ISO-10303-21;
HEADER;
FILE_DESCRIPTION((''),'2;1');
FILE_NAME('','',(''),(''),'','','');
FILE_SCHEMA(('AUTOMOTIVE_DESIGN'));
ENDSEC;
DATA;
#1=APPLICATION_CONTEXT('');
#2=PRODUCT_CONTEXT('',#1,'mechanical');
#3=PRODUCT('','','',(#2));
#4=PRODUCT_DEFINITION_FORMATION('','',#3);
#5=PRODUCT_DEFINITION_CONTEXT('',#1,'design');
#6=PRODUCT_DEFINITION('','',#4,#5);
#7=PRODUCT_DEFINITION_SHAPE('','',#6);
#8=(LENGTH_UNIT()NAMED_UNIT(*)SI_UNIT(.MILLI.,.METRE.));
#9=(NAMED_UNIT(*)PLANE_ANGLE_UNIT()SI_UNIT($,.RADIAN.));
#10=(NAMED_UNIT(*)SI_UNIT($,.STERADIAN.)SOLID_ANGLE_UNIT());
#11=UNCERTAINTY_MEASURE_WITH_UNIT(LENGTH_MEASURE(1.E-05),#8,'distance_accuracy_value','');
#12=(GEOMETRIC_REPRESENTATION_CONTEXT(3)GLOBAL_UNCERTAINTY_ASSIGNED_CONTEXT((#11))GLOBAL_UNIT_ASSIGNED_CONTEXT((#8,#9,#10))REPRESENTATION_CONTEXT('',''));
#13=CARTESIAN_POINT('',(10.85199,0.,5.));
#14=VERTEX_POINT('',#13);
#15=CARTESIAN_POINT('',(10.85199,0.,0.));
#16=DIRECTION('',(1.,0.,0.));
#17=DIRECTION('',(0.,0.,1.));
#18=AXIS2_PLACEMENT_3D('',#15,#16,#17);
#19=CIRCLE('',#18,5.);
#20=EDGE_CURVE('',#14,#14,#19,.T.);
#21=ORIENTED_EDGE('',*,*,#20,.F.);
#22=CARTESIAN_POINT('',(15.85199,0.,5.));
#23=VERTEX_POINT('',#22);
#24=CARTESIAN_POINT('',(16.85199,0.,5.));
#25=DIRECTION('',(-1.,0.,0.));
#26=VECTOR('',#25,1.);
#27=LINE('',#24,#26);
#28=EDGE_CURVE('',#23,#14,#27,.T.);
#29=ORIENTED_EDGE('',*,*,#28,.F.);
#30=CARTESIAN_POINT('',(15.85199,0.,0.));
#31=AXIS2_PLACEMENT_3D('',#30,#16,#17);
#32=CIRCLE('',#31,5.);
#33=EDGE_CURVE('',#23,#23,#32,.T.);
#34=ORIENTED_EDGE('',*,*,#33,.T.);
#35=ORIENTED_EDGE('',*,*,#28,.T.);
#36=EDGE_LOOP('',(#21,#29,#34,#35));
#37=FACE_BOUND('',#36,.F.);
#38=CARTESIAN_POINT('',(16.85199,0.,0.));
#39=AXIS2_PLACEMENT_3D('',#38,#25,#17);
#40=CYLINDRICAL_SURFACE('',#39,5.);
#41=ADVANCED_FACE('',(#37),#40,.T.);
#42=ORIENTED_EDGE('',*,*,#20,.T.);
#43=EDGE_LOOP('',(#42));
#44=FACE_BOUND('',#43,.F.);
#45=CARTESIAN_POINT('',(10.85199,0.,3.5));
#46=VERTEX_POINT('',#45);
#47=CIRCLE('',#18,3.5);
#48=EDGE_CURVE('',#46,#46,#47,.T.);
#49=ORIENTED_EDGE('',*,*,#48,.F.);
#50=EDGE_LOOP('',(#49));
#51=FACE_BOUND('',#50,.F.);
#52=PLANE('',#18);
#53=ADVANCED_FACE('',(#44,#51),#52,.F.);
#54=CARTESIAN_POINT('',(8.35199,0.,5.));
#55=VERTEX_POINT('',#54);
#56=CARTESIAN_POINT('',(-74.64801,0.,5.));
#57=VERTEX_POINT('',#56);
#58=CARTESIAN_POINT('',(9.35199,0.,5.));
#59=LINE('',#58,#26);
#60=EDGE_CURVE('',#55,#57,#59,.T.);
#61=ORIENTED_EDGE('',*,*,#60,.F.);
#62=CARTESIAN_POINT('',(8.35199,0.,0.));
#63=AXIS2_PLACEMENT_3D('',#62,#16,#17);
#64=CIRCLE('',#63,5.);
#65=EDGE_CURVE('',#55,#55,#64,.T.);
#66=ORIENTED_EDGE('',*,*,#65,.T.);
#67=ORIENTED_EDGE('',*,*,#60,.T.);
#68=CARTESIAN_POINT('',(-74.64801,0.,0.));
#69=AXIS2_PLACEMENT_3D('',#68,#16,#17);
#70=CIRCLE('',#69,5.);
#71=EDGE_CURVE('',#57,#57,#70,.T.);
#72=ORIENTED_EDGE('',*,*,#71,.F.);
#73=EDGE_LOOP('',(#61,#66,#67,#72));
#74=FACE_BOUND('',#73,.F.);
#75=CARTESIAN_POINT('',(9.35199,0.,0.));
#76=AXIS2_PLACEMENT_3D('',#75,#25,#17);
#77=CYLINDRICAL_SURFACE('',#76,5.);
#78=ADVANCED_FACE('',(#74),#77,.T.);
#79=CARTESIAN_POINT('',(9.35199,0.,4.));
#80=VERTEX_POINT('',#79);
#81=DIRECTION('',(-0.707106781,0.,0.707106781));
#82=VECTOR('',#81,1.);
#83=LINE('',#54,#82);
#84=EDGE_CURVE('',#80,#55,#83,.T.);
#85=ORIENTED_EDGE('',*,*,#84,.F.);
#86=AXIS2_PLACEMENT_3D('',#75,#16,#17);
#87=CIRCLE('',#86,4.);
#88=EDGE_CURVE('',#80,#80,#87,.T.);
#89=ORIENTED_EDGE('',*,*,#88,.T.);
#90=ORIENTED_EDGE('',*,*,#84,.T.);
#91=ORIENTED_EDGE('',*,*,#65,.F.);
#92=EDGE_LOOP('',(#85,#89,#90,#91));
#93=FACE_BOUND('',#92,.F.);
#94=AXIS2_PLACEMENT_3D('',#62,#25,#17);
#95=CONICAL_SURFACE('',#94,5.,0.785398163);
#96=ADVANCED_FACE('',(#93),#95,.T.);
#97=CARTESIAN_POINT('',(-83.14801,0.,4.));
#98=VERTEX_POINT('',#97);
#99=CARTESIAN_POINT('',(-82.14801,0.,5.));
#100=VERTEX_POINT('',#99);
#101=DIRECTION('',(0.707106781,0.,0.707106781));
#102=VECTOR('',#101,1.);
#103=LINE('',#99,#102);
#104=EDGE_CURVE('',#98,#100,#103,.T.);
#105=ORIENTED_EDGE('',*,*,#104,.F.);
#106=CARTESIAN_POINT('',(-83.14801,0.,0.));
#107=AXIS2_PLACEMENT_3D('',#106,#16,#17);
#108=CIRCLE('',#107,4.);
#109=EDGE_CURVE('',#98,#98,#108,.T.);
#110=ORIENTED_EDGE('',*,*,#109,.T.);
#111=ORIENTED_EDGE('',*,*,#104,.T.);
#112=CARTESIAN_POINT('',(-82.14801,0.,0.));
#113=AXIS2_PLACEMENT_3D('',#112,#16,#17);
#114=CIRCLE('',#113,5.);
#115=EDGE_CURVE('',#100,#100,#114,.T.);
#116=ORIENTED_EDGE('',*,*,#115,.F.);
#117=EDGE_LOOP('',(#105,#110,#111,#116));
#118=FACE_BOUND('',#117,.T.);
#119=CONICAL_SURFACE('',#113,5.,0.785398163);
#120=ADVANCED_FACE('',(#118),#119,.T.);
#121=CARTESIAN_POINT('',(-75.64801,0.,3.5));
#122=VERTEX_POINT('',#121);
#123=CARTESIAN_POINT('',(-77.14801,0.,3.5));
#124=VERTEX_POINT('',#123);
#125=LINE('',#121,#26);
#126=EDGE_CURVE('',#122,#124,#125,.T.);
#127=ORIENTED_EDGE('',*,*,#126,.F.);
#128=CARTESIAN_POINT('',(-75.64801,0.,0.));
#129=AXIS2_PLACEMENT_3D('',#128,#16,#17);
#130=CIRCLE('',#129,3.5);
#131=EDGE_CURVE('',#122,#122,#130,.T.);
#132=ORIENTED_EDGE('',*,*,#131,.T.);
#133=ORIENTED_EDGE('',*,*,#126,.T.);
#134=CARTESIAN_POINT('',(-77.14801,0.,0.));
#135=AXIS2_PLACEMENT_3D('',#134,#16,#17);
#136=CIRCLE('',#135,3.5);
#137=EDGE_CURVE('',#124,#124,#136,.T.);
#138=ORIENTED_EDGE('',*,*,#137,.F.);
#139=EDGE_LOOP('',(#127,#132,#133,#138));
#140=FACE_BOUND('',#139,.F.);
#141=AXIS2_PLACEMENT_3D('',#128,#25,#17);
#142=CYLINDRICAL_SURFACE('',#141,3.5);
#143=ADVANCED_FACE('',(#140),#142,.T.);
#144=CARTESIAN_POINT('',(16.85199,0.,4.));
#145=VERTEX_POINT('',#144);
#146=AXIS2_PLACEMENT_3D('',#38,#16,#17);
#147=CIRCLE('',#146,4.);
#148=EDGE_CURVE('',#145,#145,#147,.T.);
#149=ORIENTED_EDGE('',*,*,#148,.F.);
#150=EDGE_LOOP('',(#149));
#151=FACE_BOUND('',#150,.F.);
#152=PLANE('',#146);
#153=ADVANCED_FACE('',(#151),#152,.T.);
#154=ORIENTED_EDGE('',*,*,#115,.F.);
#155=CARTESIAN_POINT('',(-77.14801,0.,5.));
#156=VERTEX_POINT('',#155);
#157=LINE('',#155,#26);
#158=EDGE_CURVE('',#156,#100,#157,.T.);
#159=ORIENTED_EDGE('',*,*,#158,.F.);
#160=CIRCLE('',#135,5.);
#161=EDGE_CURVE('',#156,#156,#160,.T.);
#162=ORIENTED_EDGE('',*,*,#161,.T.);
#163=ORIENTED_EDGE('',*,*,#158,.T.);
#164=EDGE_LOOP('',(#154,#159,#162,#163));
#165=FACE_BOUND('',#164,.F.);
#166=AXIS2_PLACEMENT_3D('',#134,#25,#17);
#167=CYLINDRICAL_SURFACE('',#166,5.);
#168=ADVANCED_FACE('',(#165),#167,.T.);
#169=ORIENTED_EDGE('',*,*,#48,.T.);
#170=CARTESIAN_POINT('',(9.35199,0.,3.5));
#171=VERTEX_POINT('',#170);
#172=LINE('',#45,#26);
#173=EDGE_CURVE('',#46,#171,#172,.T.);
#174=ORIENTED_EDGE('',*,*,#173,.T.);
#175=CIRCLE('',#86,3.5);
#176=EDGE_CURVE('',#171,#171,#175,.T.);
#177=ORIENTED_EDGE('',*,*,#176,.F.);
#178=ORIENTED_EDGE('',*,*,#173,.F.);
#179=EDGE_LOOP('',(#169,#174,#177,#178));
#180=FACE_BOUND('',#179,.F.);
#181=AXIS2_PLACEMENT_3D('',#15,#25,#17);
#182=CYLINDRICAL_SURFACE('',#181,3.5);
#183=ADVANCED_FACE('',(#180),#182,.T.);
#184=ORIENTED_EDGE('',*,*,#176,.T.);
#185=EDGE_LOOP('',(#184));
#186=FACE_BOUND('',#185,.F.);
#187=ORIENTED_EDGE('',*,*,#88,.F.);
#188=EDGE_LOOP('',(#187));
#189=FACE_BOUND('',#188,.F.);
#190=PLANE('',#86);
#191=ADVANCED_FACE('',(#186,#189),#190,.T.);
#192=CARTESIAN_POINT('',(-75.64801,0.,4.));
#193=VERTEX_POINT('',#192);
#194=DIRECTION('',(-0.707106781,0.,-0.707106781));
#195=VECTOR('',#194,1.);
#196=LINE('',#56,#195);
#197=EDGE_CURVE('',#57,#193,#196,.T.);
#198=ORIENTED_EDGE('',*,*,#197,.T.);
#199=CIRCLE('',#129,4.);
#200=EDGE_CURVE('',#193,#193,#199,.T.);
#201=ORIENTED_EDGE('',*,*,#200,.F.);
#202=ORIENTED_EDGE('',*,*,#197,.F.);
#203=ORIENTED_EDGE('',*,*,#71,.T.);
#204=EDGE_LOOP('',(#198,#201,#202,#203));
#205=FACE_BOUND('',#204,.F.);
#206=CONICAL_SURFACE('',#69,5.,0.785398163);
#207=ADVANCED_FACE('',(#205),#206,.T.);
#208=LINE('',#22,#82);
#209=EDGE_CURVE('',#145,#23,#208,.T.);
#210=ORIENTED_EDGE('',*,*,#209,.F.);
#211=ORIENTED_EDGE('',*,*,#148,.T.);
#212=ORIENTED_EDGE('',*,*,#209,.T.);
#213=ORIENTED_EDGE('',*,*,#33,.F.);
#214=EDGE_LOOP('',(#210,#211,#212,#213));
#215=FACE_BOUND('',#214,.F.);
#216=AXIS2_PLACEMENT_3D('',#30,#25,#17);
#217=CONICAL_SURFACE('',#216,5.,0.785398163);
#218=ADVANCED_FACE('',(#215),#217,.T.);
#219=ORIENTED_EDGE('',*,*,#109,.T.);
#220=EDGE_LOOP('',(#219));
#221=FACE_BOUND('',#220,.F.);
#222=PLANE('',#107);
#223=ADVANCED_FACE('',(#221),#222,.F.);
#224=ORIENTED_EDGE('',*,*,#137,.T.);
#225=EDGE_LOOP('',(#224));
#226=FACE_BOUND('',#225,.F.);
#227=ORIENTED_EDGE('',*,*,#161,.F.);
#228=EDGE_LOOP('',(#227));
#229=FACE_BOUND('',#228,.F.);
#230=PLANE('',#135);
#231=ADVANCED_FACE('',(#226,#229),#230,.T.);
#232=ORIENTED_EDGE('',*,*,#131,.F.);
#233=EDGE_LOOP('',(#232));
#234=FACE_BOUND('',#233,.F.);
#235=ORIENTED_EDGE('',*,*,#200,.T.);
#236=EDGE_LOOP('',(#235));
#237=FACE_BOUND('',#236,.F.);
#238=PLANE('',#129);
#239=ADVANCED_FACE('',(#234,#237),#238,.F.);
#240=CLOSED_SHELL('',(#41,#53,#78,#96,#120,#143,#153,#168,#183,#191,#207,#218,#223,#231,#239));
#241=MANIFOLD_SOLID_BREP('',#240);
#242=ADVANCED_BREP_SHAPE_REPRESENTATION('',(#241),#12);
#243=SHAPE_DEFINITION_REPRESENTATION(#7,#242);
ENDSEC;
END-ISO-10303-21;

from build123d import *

# Parameters (mm, degrees)
F2_SIZE = 1


with BuildPart() as f1:
    # F0 (on Front) → F1 (revolve)
    with BuildSketch(Plane.XZ):
        Polygon((-83.14801, 5), (-83.14801, 0), (16.85199, 0), (16.85199, 5), (10.85199, 5), (10.85199, 3.5), (9.35199, 3.5), (9.35199, 5), (-75.64801, 5), (-75.64801, 3.5), (-77.14801, 3.5), (-77.14801, 5), align=None)
    revolve(axis=Axis((-33.14801, 0, 0), (1, 0, 0)))

    # F2
    f2_edges = [f1.edges().sort_by_distance(p)[0] for p in [
        (-83.14801, 0, -5),
        (-75.64801, 0, -5),
        (16.85199, 0, -5),
        (9.35199, 0, -5),
    ]]
    chamfer(f2_edges, length=F2_SIZE)


solid = f1.part
